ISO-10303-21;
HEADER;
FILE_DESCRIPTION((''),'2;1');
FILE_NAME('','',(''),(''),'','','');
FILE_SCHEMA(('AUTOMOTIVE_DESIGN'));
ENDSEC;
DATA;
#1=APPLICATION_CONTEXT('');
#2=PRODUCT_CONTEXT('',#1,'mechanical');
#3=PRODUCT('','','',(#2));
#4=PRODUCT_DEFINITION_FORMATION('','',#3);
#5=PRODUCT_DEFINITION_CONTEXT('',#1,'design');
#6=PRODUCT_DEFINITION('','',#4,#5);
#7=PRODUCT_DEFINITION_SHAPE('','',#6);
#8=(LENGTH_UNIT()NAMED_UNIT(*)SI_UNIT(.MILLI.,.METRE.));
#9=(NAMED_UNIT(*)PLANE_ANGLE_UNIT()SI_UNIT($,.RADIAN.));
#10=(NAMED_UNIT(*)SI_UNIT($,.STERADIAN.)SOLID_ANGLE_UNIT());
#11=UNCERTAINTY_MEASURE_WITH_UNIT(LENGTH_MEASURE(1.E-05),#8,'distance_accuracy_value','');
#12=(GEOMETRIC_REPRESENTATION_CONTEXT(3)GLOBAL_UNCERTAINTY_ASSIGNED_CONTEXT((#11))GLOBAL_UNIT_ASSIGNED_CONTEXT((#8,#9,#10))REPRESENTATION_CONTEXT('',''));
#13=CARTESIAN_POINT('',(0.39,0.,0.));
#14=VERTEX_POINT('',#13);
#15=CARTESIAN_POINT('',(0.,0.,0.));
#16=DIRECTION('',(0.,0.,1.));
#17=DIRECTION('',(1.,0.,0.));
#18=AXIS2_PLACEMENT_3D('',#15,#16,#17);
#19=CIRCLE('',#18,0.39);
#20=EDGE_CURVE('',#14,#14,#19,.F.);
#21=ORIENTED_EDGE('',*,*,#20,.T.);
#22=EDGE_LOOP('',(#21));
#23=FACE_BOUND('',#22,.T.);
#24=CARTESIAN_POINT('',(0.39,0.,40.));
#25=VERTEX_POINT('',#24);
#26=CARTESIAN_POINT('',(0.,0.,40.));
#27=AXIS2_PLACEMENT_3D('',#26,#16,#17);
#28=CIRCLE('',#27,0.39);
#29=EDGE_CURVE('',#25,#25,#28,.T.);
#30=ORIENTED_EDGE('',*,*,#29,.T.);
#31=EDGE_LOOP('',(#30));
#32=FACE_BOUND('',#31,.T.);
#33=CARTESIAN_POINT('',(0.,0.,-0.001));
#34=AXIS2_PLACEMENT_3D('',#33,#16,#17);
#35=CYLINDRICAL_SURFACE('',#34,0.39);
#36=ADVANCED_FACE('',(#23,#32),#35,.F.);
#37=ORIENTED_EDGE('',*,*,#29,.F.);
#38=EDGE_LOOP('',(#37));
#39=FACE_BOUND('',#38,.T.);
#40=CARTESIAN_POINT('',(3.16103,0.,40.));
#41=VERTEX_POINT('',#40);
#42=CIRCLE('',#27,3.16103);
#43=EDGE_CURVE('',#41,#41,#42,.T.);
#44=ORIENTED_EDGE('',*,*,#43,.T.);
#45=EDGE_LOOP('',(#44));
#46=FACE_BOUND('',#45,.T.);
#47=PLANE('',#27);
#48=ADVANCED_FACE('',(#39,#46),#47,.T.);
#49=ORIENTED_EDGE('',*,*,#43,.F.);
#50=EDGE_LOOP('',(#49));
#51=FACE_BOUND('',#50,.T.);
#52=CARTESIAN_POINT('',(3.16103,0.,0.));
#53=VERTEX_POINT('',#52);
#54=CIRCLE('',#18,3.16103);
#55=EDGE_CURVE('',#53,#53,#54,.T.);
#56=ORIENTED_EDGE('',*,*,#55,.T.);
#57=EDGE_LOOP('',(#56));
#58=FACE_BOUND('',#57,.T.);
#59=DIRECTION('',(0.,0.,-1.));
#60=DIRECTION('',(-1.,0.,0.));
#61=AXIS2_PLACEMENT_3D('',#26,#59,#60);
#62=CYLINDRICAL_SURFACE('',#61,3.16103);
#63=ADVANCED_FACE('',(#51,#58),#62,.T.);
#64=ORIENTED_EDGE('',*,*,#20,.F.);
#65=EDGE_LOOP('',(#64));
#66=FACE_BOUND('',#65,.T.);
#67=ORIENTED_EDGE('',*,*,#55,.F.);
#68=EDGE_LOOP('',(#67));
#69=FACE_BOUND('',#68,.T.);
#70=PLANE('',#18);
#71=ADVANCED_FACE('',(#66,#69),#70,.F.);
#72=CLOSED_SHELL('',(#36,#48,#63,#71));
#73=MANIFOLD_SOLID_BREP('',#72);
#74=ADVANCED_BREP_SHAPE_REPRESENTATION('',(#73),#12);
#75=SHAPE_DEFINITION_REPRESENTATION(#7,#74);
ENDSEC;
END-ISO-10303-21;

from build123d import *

# Parameters (mm, degrees)
SKETCH1_R           = 3.16103
BOSS_EXTRUDE1_DEPTH = 40
CUT_EXTRUDE1_REACH  = 42
SKETCH2_R           = 0.39


with BuildPart() as part:
    # Sketch1 → Boss-Extrude1 (new body)
    with BuildSketch(Plane.XY):
        Circle(SKETCH1_R)
    extrude(amount=BOSS_EXTRUDE1_DEPTH)

    # Sketch2 → Cut-Extrude1 (cut, up to next)
    with BuildSketch(Plane.XY.offset(40), mode=Mode.PRIVATE) as cut_extrude1_sk1:
        Circle(SKETCH2_R)
    cut_extrude1_tool1 = extrude(cut_extrude1_sk1.sketch, amount=-CUT_EXTRUDE1_REACH, mode=Mode.PRIVATE) & part.part
    add(cut_extrude1_tool1.solids().sort_by_distance((0, 0, 40))[0], mode=Mode.SUBTRACT)


solid = part.part
